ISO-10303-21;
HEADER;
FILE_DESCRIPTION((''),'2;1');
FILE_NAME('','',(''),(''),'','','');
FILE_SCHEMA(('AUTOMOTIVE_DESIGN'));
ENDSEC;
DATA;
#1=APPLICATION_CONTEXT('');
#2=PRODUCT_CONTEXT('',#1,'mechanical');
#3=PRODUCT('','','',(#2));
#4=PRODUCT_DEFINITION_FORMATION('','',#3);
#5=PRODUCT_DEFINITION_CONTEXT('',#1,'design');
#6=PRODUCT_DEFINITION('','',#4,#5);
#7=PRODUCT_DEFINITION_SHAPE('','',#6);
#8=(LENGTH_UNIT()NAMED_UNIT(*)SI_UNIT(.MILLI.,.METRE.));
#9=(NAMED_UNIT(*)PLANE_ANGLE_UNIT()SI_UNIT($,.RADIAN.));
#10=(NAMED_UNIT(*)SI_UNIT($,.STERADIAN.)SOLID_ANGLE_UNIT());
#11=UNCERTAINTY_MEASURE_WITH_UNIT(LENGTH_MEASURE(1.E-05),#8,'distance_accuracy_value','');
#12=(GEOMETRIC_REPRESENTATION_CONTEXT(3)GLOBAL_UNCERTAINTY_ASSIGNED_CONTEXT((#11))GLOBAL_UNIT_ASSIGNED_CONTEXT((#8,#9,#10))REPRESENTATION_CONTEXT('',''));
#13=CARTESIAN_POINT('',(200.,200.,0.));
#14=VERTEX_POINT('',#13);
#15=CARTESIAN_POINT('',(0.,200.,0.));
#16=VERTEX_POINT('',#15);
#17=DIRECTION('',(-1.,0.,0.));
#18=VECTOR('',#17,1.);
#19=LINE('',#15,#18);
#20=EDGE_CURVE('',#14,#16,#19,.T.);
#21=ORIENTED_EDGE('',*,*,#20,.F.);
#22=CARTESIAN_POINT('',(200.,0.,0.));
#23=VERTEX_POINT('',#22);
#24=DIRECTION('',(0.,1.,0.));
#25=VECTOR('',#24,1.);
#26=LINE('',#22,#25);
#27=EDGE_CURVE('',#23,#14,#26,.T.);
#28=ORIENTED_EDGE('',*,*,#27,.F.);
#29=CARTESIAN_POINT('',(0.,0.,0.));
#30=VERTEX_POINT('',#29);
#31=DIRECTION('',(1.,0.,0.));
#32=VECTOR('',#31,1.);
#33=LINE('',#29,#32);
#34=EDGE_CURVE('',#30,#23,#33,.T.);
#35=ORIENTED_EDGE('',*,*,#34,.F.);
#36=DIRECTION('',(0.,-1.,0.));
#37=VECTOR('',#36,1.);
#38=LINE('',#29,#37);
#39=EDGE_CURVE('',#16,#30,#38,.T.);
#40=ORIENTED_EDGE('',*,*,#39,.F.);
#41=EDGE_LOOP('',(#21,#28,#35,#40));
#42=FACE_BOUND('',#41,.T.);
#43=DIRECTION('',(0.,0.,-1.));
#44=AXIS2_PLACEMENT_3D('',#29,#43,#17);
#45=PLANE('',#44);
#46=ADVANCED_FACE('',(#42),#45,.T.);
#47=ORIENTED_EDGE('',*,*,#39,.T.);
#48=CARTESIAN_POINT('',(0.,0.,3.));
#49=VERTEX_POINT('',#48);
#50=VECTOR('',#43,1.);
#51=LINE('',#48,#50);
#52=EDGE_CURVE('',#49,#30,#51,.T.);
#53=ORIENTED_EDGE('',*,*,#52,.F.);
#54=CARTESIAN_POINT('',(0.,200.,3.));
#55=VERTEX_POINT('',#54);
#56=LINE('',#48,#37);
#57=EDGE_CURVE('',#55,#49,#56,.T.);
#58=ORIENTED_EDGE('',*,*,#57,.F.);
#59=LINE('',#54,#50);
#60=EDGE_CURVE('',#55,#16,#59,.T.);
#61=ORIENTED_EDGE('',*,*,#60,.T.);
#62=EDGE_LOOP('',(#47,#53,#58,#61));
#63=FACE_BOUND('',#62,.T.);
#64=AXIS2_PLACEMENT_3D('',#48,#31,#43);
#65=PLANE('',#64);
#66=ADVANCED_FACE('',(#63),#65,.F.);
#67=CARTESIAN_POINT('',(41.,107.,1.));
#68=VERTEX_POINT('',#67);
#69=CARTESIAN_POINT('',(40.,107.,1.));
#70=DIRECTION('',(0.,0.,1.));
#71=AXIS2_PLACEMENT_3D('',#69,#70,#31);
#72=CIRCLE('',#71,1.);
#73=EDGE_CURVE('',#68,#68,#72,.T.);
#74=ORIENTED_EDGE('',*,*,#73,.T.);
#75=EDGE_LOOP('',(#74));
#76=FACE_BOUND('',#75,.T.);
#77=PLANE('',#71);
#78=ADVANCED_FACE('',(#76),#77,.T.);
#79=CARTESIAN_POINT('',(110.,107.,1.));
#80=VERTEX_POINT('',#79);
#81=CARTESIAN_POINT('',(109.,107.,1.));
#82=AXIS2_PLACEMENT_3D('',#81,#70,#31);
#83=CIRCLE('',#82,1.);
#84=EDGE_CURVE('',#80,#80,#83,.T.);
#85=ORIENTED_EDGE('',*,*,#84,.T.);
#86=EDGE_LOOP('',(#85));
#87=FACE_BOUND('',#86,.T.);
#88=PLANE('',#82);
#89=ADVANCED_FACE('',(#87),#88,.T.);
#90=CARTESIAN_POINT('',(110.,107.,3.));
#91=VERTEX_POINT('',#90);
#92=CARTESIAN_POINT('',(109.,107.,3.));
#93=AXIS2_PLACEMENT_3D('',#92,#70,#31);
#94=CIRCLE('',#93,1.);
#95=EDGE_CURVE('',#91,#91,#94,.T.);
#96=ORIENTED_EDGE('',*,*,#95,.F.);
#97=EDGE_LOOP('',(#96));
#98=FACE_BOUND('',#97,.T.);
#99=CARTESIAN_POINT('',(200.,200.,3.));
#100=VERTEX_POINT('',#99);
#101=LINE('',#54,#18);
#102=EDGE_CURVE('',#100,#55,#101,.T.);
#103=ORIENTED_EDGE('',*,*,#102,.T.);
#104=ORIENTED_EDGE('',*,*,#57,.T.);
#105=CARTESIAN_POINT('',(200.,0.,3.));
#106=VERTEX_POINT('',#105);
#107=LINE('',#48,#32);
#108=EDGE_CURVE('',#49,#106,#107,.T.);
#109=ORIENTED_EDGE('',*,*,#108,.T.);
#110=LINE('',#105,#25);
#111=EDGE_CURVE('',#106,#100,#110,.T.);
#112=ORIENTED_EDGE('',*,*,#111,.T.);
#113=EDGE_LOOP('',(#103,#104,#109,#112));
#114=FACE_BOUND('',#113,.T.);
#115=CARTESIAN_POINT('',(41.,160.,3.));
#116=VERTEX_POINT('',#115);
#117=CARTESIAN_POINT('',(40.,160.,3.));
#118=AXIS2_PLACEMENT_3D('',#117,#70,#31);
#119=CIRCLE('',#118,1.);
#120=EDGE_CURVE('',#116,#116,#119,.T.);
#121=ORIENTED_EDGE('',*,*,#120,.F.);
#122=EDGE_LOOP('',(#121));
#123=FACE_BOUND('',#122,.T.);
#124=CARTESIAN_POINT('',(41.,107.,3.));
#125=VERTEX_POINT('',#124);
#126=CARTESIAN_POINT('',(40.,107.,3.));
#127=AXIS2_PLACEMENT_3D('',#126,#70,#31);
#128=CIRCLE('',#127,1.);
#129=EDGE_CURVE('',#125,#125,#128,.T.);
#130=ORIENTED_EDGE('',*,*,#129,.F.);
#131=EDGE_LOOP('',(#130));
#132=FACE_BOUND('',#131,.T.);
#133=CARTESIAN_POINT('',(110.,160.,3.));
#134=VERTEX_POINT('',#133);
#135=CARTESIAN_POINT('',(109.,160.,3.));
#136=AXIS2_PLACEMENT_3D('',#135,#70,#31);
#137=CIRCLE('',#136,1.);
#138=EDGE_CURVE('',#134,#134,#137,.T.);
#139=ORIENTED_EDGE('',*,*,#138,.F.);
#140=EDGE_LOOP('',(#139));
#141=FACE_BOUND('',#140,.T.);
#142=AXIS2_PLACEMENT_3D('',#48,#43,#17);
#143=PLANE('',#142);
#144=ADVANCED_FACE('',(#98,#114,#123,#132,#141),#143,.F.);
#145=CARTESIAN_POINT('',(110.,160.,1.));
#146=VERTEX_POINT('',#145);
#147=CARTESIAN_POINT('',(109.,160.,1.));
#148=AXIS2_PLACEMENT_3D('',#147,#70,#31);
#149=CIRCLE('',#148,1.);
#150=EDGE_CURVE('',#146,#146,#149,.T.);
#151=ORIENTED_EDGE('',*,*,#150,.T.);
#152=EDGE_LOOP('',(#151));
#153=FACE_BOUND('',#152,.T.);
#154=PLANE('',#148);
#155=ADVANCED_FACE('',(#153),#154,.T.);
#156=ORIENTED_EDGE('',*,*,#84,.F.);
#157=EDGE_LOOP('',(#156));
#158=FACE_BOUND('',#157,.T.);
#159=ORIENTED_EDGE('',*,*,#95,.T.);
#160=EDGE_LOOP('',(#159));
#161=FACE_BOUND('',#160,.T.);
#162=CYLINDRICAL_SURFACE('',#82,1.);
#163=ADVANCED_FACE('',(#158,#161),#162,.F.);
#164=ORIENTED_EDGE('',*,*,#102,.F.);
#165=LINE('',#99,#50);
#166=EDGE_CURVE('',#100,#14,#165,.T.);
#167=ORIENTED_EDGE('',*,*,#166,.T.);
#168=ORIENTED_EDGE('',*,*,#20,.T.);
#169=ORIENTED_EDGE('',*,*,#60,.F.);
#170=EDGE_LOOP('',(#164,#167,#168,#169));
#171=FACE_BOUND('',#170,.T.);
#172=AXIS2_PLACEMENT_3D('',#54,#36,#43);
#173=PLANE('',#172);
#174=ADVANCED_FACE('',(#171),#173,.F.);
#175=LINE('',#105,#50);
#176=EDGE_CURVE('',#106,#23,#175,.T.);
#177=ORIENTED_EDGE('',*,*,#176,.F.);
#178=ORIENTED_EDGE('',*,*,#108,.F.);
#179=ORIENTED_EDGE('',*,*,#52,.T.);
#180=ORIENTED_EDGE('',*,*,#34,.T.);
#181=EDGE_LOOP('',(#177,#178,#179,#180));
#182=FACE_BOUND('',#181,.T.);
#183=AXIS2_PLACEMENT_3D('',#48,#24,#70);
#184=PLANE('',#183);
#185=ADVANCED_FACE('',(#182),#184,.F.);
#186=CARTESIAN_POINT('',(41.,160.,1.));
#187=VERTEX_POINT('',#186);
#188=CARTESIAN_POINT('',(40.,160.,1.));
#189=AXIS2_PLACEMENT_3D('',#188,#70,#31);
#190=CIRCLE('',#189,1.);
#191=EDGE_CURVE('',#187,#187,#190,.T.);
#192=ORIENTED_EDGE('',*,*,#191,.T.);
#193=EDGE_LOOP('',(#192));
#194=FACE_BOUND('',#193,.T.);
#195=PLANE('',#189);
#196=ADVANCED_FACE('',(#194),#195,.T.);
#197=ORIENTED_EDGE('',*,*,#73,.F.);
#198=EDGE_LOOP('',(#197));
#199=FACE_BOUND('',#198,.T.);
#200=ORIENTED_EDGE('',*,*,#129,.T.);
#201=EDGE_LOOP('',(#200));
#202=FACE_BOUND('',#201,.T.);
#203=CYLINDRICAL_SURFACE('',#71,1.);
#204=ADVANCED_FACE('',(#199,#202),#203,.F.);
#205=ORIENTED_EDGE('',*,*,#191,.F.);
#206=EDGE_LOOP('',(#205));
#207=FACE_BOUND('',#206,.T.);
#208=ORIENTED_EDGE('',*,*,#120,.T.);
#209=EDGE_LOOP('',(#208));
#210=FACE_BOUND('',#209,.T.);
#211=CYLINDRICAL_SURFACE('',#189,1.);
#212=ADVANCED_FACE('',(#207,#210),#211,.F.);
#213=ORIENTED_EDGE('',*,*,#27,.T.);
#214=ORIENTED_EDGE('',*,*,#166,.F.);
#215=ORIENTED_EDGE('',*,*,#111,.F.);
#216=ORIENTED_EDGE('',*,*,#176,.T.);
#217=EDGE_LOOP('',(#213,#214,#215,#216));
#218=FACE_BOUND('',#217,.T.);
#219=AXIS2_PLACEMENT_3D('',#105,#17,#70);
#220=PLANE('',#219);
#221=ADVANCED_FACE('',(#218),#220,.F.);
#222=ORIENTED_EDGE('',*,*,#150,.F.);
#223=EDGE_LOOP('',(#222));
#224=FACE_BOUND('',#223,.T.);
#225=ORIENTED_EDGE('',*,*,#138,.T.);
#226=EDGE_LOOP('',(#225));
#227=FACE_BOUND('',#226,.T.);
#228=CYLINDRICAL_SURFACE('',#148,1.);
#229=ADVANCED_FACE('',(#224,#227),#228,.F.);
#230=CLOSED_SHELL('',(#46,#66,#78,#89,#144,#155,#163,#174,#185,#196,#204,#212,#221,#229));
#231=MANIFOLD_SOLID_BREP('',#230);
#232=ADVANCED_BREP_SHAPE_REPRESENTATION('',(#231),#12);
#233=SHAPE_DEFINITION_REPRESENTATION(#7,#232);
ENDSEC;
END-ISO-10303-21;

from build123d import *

# Parameters (mm, degrees)
SKICA1_W                 = 200
SKICA1_H                 = 200
P_IDAT_VYSUNUT_M1_DEPTH  = 3
SKICA2_R                 = 1
ODEBRAT_VYSUNUT_M1_DEPTH = 2


with BuildPart() as part:
    # Skica1 → Přidat vysunutím1 (new body)
    with BuildSketch(Plane.XY):
        with Locations((100, 100)):
            Rectangle(SKICA1_W, SKICA1_H)
    extrude(amount=P_IDAT_VYSUNUT_M1_DEPTH)

    # Skica2 → Odebrat vysunutím1 (cut)
    with BuildSketch(Plane.XY.offset(3)):
        with Locations((40, 160)):
            Circle(SKICA2_R)
        with Locations((109, 160)):
            Circle(SKICA2_R)
        with Locations((109, 107)):
            Circle(SKICA2_R)
        with Locations((40, 107)):
            Circle(SKICA2_R)
    extrude(amount=-ODEBRAT_VYSUNUT_M1_DEPTH, mode=Mode.SUBTRACT)


solid = part.part
